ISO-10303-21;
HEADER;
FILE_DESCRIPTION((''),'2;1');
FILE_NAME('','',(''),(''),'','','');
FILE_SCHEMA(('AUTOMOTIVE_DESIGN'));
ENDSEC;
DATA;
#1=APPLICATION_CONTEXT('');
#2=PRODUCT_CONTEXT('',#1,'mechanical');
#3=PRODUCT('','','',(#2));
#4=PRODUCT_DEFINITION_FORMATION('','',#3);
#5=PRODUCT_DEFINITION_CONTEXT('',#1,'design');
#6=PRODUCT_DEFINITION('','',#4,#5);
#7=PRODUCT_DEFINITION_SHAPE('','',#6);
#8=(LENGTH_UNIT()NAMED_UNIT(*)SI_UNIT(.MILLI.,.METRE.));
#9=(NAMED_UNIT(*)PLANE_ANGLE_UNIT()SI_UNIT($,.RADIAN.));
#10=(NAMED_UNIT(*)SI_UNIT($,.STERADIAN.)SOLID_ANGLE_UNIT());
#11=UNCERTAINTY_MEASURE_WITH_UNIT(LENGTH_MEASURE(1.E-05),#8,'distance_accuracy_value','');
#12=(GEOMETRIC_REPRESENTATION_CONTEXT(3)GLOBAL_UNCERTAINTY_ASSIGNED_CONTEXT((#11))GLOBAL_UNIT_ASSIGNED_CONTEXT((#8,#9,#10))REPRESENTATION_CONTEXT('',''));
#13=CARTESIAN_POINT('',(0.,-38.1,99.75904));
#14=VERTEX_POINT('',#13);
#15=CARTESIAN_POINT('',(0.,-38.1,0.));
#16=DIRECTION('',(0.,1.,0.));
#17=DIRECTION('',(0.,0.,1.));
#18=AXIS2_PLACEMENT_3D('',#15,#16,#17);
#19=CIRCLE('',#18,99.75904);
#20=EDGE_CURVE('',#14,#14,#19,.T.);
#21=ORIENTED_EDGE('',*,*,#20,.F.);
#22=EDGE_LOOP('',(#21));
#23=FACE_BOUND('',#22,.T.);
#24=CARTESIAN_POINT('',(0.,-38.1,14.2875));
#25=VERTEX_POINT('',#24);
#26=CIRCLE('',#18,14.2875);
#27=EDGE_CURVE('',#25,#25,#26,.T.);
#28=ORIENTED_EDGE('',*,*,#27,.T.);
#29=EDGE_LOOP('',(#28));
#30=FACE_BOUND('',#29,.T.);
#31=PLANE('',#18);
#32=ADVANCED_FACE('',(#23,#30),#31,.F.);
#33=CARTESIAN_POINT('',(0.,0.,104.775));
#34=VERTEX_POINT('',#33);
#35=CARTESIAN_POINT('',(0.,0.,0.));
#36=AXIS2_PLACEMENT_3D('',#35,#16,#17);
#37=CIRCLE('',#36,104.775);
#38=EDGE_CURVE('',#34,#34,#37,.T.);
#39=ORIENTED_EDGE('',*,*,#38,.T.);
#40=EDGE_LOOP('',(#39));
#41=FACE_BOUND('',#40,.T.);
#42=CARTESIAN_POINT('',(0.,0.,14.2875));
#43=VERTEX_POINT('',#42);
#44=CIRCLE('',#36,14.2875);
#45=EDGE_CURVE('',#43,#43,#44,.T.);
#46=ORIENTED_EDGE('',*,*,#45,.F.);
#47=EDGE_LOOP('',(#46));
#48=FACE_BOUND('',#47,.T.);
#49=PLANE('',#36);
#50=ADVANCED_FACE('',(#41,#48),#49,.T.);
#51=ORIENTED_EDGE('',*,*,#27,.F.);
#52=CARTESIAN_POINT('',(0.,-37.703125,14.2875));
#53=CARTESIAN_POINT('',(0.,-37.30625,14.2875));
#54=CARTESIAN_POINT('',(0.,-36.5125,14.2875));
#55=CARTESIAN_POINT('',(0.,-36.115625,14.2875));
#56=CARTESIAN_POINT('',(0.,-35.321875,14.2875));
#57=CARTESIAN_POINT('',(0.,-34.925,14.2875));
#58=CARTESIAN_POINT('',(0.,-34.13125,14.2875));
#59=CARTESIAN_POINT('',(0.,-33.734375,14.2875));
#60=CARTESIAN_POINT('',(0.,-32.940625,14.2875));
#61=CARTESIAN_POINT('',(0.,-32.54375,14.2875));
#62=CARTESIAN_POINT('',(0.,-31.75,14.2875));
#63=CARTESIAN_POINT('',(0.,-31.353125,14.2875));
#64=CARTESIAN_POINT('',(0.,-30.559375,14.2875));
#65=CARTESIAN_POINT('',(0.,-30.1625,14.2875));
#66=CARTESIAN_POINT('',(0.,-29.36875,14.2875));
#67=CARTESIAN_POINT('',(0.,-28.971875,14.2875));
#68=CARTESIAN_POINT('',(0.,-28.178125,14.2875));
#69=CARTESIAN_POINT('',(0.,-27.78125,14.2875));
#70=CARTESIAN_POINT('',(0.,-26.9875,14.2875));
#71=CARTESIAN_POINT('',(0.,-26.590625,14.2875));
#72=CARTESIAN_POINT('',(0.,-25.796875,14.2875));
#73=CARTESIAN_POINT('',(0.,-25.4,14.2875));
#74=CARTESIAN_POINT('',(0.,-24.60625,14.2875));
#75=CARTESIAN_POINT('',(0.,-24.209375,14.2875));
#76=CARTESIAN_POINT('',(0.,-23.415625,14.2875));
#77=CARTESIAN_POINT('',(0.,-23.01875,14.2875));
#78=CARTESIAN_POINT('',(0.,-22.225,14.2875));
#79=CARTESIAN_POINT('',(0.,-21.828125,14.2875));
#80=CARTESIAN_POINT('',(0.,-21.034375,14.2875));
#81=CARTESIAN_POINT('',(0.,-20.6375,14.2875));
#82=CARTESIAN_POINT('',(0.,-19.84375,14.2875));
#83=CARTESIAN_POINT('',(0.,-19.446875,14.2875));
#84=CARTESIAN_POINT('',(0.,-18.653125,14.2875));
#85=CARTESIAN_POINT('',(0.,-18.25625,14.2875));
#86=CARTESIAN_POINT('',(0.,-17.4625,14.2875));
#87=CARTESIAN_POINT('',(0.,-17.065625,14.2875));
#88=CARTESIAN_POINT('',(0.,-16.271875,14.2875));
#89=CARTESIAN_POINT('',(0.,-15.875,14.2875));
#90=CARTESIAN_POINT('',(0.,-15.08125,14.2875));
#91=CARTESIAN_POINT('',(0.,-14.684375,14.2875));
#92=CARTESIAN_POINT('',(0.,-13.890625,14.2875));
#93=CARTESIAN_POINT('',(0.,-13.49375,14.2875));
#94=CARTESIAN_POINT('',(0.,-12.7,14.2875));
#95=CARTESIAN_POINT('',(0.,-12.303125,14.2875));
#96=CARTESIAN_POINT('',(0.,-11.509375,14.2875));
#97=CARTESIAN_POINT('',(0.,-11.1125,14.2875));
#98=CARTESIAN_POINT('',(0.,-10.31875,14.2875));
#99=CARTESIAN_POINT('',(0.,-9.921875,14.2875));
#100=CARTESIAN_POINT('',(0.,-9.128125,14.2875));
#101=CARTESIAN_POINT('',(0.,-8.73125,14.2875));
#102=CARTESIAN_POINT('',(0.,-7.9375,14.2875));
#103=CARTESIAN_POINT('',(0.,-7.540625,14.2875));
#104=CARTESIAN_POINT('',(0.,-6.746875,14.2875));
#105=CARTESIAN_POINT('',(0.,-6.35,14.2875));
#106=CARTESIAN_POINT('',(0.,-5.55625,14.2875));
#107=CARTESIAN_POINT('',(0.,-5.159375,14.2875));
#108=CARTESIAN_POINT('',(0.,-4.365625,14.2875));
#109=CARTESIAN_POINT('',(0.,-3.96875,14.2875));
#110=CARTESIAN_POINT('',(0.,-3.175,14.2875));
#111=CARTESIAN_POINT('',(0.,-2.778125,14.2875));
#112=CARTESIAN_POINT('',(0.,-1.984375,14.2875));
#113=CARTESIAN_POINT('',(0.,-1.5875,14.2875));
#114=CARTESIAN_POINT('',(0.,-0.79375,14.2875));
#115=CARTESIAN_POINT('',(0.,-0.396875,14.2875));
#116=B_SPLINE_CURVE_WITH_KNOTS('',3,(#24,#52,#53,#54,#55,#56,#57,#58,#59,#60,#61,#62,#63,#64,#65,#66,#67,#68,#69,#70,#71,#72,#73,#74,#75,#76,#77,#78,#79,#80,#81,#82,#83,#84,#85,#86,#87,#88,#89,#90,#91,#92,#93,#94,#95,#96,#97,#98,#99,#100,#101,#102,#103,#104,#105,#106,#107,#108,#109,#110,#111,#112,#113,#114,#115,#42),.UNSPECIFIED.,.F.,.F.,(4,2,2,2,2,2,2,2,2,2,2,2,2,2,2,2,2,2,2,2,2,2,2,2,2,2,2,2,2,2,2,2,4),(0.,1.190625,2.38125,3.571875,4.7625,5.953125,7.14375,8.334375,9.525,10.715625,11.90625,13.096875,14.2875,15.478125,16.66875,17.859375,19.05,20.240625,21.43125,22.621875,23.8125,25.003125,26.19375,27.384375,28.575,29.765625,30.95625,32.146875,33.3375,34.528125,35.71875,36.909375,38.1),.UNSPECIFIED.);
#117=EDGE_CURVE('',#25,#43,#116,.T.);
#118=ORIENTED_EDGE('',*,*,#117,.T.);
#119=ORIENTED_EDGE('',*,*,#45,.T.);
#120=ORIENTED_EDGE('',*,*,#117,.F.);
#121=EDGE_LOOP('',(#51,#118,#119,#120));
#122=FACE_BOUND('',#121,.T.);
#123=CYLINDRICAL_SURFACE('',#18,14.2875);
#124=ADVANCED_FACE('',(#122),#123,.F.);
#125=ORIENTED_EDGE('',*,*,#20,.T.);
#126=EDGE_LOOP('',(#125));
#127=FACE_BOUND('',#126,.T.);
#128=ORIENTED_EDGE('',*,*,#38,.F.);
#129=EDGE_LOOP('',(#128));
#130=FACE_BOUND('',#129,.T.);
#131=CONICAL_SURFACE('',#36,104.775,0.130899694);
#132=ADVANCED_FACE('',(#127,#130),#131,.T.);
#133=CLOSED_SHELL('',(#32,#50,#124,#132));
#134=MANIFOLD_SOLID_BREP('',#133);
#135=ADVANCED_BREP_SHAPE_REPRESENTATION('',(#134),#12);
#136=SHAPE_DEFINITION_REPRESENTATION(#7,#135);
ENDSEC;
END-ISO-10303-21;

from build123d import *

# Parameters (mm, degrees)
SKETCH1_R           = 104.775
BOSS_EXTRUDE1_DEPTH = 38.1
BOSS_EXTRUDE1_DRAFT = -7.5
SKETCH2_R           = 14.2875
CUT_EXTRUDE1_DEPTH  = 153.9941543


with BuildPart() as part:
    # Sketch1 → Boss-Extrude1 (with draft: the straight prism first)
    with BuildSketch(Plane(origin=(0, 0, 0), x_dir=(1, 0, 0), z_dir=(0, 1, 0))):
        Circle(SKETCH1_R)
    extrude(amount=-BOSS_EXTRUDE1_DEPTH)
    # Boss-Extrude1: the draft: its side faces are tilted about the plane it starts from
    boss_extrude1_sides = [part.faces().sort_by_distance(p)[0] for p in [
        (-104.775, -19.05, 0),
    ]]
    draft(boss_extrude1_sides, Plane(origin=(0, 0, 0), x_dir=(1, 0, 0), z_dir=(0, 1, 0)), BOSS_EXTRUDE1_DRAFT)

    # Sketch2 → Cut-Extrude1 (cut, through all)
    with BuildSketch(Plane(origin=(0, 0, 0), x_dir=(1, 0, 0), z_dir=(0, 1, 0))):
        with Locations(Location((0, 0, 0), (0, 0, 270))):
            Circle(SKETCH2_R)
    extrude(amount=-CUT_EXTRUDE1_DEPTH, mode=Mode.SUBTRACT)


solid = part.part
